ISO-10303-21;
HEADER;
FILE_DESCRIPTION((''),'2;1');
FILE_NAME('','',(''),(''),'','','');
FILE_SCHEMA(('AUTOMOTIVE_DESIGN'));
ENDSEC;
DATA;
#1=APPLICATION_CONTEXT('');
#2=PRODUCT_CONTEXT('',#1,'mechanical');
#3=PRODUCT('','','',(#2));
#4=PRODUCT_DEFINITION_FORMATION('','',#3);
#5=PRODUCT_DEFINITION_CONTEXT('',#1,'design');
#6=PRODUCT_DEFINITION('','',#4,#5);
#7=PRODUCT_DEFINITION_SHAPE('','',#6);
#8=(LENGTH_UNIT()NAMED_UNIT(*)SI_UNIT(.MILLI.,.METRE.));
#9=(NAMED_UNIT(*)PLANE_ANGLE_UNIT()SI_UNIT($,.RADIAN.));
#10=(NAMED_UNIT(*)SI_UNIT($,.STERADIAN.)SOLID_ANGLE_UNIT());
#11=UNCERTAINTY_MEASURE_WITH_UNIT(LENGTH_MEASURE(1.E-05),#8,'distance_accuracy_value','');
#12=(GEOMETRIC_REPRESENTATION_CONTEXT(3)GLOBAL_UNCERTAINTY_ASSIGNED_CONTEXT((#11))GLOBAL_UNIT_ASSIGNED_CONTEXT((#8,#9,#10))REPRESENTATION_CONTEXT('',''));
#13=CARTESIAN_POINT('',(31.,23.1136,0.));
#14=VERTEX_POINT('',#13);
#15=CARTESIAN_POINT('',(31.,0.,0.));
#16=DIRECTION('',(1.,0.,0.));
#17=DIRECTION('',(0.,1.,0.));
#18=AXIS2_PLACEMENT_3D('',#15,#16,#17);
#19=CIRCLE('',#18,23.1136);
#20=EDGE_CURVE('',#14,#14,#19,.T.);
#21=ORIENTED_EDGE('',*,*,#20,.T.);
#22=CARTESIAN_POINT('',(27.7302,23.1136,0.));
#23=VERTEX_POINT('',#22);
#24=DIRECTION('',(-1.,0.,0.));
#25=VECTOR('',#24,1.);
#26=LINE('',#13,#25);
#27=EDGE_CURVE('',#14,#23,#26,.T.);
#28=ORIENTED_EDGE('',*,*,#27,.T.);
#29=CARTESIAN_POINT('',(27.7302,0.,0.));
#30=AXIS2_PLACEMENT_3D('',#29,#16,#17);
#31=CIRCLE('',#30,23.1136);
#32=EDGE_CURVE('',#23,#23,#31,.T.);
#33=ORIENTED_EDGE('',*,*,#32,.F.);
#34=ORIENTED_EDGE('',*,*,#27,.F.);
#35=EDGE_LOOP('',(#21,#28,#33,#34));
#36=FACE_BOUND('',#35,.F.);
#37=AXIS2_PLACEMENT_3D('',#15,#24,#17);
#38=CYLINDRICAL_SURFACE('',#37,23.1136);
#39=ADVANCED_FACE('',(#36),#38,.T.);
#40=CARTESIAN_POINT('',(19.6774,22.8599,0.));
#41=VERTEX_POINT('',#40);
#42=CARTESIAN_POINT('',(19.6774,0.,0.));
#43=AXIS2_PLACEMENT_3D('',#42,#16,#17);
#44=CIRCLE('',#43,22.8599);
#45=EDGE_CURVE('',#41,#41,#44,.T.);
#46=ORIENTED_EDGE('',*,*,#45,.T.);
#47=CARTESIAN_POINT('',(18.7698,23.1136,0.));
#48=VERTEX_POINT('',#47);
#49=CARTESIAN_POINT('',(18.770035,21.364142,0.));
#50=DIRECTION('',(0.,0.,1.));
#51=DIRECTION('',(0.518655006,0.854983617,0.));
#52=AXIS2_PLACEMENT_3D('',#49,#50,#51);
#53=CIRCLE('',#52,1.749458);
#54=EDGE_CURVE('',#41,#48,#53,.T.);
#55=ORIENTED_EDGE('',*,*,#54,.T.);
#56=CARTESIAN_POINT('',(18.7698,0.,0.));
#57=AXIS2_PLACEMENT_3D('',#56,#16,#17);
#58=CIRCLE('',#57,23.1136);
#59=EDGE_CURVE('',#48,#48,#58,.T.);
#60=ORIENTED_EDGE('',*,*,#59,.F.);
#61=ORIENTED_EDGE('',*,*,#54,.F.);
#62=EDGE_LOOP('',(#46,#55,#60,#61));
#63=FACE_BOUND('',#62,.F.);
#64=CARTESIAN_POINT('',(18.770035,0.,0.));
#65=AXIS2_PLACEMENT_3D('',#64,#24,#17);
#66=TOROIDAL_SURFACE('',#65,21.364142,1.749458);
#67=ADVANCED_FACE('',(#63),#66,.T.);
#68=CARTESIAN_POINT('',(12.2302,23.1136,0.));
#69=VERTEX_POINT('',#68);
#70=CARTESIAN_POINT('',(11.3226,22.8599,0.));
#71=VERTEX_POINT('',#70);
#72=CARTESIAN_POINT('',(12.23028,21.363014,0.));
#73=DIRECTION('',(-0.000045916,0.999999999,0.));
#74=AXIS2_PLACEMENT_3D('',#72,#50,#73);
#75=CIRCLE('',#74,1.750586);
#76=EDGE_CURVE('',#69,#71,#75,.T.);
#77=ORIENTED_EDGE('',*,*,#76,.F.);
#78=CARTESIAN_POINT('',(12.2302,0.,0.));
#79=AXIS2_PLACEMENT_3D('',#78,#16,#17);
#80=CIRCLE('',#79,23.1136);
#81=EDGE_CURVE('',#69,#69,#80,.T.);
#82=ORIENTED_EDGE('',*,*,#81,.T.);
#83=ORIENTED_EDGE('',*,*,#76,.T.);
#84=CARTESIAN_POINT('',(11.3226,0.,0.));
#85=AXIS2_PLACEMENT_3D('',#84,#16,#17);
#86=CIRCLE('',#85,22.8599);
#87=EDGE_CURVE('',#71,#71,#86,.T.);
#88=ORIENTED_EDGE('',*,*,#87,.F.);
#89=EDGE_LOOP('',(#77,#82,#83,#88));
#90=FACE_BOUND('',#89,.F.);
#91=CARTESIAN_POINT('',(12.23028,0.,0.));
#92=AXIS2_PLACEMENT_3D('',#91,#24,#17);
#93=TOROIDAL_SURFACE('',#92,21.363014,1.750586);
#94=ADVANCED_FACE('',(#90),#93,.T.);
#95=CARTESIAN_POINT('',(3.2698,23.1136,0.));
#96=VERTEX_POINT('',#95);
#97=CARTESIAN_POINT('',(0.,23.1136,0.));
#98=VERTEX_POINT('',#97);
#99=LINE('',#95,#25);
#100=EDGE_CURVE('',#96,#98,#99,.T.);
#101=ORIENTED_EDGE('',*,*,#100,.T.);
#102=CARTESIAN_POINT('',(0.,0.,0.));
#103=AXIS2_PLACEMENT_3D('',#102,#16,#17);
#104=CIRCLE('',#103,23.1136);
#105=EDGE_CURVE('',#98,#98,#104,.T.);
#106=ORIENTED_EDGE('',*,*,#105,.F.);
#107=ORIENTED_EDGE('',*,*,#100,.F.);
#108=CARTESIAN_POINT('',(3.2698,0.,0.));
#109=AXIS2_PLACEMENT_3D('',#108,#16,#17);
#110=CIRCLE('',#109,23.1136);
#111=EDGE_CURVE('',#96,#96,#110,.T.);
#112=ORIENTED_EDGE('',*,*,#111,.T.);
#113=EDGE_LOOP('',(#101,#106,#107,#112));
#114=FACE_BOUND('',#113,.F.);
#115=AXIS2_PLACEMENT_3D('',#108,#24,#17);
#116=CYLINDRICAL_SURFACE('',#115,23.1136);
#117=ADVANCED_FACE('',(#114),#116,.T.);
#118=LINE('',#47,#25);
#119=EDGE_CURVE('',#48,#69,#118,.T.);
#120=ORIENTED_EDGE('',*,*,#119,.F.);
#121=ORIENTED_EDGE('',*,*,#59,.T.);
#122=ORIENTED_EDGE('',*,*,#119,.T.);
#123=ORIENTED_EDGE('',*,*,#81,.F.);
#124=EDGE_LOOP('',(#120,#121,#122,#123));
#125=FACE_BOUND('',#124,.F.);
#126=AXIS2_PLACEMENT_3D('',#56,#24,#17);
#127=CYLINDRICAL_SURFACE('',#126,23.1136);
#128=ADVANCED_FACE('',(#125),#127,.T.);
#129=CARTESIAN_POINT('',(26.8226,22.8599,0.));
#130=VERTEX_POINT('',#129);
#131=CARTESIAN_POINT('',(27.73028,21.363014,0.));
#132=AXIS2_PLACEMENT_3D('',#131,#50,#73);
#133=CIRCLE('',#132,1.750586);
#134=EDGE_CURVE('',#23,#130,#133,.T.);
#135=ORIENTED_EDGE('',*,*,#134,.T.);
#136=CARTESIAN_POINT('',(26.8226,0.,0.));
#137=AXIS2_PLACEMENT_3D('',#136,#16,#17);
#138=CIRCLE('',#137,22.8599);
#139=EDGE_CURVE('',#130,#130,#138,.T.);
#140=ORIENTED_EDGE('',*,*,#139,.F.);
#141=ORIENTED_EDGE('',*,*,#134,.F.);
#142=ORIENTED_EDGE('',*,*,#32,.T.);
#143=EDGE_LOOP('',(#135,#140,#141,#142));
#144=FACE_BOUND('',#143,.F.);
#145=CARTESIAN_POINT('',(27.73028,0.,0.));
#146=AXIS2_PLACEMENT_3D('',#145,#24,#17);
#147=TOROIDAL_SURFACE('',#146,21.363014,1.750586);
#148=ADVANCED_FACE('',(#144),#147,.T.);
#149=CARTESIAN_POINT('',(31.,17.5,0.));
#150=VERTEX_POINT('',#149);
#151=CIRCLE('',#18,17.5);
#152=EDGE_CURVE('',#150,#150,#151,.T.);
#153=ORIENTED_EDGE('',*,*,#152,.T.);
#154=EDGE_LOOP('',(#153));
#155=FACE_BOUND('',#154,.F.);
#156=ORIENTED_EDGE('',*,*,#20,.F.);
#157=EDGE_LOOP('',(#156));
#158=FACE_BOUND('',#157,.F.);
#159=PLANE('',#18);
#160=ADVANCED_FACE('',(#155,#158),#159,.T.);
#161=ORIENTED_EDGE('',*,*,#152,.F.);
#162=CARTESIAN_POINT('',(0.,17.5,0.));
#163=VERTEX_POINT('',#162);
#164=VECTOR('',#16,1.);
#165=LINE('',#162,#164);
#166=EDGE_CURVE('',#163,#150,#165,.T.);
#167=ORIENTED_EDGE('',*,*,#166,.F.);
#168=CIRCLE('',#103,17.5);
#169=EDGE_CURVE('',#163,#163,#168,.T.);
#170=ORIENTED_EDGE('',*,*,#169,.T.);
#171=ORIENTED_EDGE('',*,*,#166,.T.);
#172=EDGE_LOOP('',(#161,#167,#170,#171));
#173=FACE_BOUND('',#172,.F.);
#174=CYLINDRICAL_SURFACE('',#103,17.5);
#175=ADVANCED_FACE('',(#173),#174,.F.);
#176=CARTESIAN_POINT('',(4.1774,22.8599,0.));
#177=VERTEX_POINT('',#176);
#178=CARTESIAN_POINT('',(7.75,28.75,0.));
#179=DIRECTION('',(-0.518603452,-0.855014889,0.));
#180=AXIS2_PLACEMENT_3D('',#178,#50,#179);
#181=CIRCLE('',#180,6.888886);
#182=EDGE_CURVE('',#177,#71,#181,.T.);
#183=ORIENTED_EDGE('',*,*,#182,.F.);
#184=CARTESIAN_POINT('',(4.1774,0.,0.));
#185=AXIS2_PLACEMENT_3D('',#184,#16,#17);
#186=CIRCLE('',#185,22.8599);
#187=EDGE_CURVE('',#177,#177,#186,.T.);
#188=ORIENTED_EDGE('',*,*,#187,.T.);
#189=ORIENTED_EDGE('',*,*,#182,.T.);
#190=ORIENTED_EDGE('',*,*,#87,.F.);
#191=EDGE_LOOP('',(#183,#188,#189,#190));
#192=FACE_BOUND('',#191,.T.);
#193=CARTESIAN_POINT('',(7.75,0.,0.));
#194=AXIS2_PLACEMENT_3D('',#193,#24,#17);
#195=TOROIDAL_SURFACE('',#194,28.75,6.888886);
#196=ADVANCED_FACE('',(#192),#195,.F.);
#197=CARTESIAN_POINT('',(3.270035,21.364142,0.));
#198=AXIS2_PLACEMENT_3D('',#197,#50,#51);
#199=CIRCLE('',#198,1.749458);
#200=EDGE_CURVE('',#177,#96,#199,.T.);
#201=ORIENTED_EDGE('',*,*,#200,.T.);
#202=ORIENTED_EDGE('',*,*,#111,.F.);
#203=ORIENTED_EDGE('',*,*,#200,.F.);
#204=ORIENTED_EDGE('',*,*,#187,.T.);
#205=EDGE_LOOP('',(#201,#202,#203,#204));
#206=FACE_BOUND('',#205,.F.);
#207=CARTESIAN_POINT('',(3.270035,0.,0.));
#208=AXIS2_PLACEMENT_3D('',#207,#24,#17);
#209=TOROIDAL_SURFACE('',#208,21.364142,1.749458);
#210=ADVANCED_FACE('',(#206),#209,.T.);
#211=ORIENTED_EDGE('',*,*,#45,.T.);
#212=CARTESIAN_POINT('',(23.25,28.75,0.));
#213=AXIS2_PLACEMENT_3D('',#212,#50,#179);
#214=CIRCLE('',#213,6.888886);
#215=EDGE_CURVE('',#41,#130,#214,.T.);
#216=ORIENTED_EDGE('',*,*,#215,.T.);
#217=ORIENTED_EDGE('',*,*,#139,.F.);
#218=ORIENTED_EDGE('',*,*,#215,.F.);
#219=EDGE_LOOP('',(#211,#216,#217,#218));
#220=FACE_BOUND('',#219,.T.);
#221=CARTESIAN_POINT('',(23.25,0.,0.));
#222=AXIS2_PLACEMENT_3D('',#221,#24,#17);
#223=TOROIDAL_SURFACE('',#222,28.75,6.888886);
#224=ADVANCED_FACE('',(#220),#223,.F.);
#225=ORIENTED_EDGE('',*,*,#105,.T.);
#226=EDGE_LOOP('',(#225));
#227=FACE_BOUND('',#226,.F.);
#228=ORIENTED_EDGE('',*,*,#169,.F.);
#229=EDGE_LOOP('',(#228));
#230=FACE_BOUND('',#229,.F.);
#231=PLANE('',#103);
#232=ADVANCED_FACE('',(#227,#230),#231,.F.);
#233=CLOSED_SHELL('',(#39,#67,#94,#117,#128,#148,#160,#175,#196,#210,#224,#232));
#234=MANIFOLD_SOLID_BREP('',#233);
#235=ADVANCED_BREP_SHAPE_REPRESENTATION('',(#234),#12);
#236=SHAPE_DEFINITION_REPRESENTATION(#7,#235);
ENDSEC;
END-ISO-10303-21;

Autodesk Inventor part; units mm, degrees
sketch "Sketch_1" plane through (0, 0, 0) normal (0, 0, 1) x (1, 0, 0)
  line L0 (50, 0) -> (-50, 0)
  line L1 (0, 23.1136) -> (0, 17.5)
  line L2 (0, 17.5) -> (31, 17.5)
  line L3 (31, 17.5) -> (31, 23.1136)
  line L4 (31, 23.1136) -> (27.7302, 23.1136)
  arc A0 (27.7302, 23.1136) -> (26.8226, 22.8599) centre (27.7302, 21.3636) ccw
  arc A1 (19.6774, 22.8599) -> (26.8226, 22.8599) centre (23.25, 28.75) ccw
  arc A2 (19.6774, 22.8599) -> (18.7698, 23.1136) centre (18.7698, 21.3636) ccw
  line L5 (18.7698, 23.1136) -> (12.2302, 23.1136)
  arc A3 (12.2302, 23.1136) -> (11.3226, 22.8599) centre (12.2302, 21.3636) ccw
  arc A4 (4.1774, 22.8599) -> (11.3226, 22.8599) centre (7.75, 28.75) ccw
  arc A5 (4.1774, 22.8599) -> (3.2698, 23.1136) centre (3.2698, 21.3636) ccw
  line L6 (3.2698, 23.1136) -> (0, 23.1136)
revolve "Revolution1" add sketch "Sketch_1" angle 360 about axis through (50, 0, 0) along (1, 0, 0)
ref_plane "IP_2_XY" through (15.5, 0, 0) normal (1, 0, 0) x (0, 0, -1)
ref_plane "IP_2_YZ" through (15.5, 0, 0) normal (0, 0, -1) x (0, 1, 0)
ref_plane "IP_2_ZX" through (15.5, 0, 0) normal (0, 1, 0) x (1, 0, 0)
ref_plane "IP_3_1_XY" through (7.75, 28.75, 0) normal (1, 0, 0) x (0, 0, -1)
ref_plane "IP_3_1_YZ" through (7.75, 28.75, 0) normal (0, 0, -1) x (0, 1, 0)
ref_plane "IP_3_1_ZX" through (7.75, 28.75, 0) normal (0, 1, 0) x (1, 0, 0)
ref_plane "IP_3_10_XY" through (7.75, 23.2592, -16.8988) normal (1, 0, 0) x (0, 0, -1)
ref_plane "IP_3_10_YZ" through (7.75, 23.2592, -16.8988) normal (0, 0, -1) x (0, 1, 0)
ref_plane "IP_3_10_ZX" through (7.75, 23.2592, -16.8988) normal (0, 1, 0) x (1, 0, 0)
ref_plane "IP_3_2_XY" through (7.75, 23.2592, 16.8988) normal (1, 0, 0) x (0, 0, -1)
ref_plane "IP_3_2_YZ" through (7.75, 23.2592, 16.8988) normal (0, 0, -1) x (0, 1, 0)
ref_plane "IP_3_2_ZX" through (7.75, 23.2592, 16.8988) normal (0, 1, 0) x (1, 0, 0)
ref_plane "IP_3_3_XY" through (7.75, 8.8842, 27.3429) normal (1, 0, 0) x (0, 0, -1)
ref_plane "IP_3_3_YZ" through (7.75, 8.8842, 27.3429) normal (0, 0, -1) x (0, 1, 0)
ref_plane "IP_3_3_ZX" through (7.75, 8.8842, 27.3429) normal (0, 1, 0) x (1, 0, 0)
ref_plane "IP_3_4_XY" through (7.75, -8.8842, 27.3429) normal (1, 0, 0) x (0, 0, -1)
ref_plane "IP_3_4_YZ" through (7.75, -8.8842, 27.3429) normal (0, 0, -1) x (0, 1, 0)
ref_plane "IP_3_4_ZX" through (7.75, -8.8842, 27.3429) normal (0, 1, 0) x (1, 0, 0)
ref_plane "IP_3_5_XY" through (7.75, -23.2592, 16.8988) normal (1, 0, 0) x (0, 0, -1)
ref_plane "IP_3_5_YZ" through (7.75, -23.2592, 16.8988) normal (0, 0, -1) x (0, 1, 0)
ref_plane "IP_3_5_ZX" through (7.75, -23.2592, 16.8988) normal (0, 1, 0) x (1, 0, 0)
ref_plane "IP_3_6_XY" through (7.75, -28.75, 0) normal (1, 0, 0) x (0, 0, -1)
ref_plane "IP_3_6_YZ" through (7.75, -28.75, 0) normal (0, 0, -1) x (0, 1, 0)
ref_plane "IP_3_6_ZX" through (7.75, -28.75, 0) normal (0, 1, 0) x (1, 0, 0)
ref_plane "IP_3_7_XY" through (7.75, -23.2592, -16.8988) normal (1, 0, 0) x (0, 0, -1)
ref_plane "IP_3_7_YZ" through (7.75, -23.2592, -16.8988) normal (0, 0, -1) x (0, 1, 0)
ref_plane "IP_3_7_ZX" through (7.75, -23.2592, -16.8988) normal (0, 1, 0) x (1, 0, 0)
ref_plane "IP_3_8_XY" through (7.75, -8.8842, -27.3429) normal (1, 0, 0) x (0, 0, -1)
ref_plane "IP_3_8_YZ" through (7.75, -8.8842, -27.3429) normal (0, 0, -1) x (0, 1, 0)
ref_plane "IP_3_8_ZX" through (7.75, -8.8842, -27.3429) normal (0, 1, 0) x (1, 0, 0)
ref_plane "IP_3_9_XY" through (7.75, 8.8842, -27.3429) normal (1, 0, 0) x (0, 0, -1)
ref_plane "IP_3_9_YZ" through (7.75, 8.8842, -27.3429) normal (0, 0, -1) x (0, 1, 0)
ref_plane "IP_3_9_ZX" through (7.75, 8.8842, -27.3429) normal (0, 1, 0) x (1, 0, 0)
ref_plane "IP_4_1_XY" through (23.25, 27.3429, 8.8842) normal (1, 0, 0) x (0, 0, -1)
ref_plane "IP_4_1_YZ" through (23.25, 27.3429, 8.8842) normal (0, 0, -1) x (0, 1, 0)
ref_plane "IP_4_1_ZX" through (23.25, 27.3429, 8.8842) normal (0, 1, 0) x (1, 0, 0)
ref_plane "IP_4_10_XY" through (23.25, 27.3429, -8.8842) normal (1, 0, 0) x (0, 0, -1)
ref_plane "IP_4_10_YZ" through (23.25, 27.3429, -8.8842) normal (0, 0, -1) x (0, 1, 0)
ref_plane "IP_4_10_ZX" through (23.25, 27.3429, -8.8842) normal (0, 1, 0) x (1, 0, 0)
ref_plane "IP_4_2_XY" through (23.25, 16.8988, 23.2592) normal (1, 0, 0) x (0, 0, -1)
ref_plane "IP_4_2_YZ" through (23.25, 16.8988, 23.2592) normal (0, 0, -1) x (0, 1, 0)
ref_plane "IP_4_2_ZX" through (23.25, 16.8988, 23.2592) normal (0, 1, 0) x (1, 0, 0)
ref_plane "IP_4_3_XY" through (23.25, 0, 28.75) normal (1, 0, 0) x (0, 0, -1)
ref_plane "IP_4_3_YZ" through (23.25, 0, 28.75) normal (0, 0, -1) x (0, 1, 0)
ref_plane "IP_4_3_ZX" through (23.25, 0, 28.75) normal (0, 1, 0) x (1, 0, 0)
ref_plane "IP_4_4_XY" through (23.25, -16.8988, 23.2592) normal (1, 0, 0) x (0, 0, -1)
ref_plane "IP_4_4_YZ" through (23.25, -16.8988, 23.2592) normal (0, 0, -1) x (0, 1, 0)
ref_plane "IP_4_4_ZX" through (23.25, -16.8988, 23.2592) normal (0, 1, 0) x (1, 0, 0)
ref_plane "IP_4_5_XY" through (23.25, -27.3429, 8.8842) normal (1, 0, 0) x (0, 0, -1)
ref_plane "IP_4_5_YZ" through (23.25, -27.3429, 8.8842) normal (0, 0, -1) x (0, 1, 0)
ref_plane "IP_4_5_ZX" through (23.25, -27.3429, 8.8842) normal (0, 1, 0) x (1, 0, 0)
ref_plane "IP_4_6_XY" through (23.25, -27.3429, -8.8842) normal (1, 0, 0) x (0, 0, -1)
ref_plane "IP_4_6_YZ" through (23.25, -27.3429, -8.8842) normal (0, 0, -1) x (0, 1, 0)
ref_plane "IP_4_6_ZX" through (23.25, -27.3429, -8.8842) normal (0, 1, 0) x (1, 0, 0)
ref_plane "IP_4_7_XY" through (23.25, -16.8988, -23.2592) normal (1, 0, 0) x (0, 0, -1)
ref_plane "IP_4_7_YZ" through (23.25, -16.8988, -23.2592) normal (0, 0, -1) x (0, 1, 0)
ref_plane "IP_4_7_ZX" through (23.25, -16.8988, -23.2592) normal (0, 1, 0) x (1, 0, 0)
ref_plane "IP_4_8_XY" through (23.25, 0, -28.75) normal (1, 0, 0) x (0, 0, -1)
ref_plane "IP_4_8_YZ" through (23.25, 0, -28.75) normal (0, 0, -1) x (0, 1, 0)
ref_plane "IP_4_8_ZX" through (23.25, 0, -28.75) normal (0, 1, 0) x (1, 0, 0)
ref_plane "IP_4_9_XY" through (23.25, 16.8988, -23.2592) normal (1, 0, 0) x (0, 0, -1)
ref_plane "IP_4_9_YZ" through (23.25, 16.8988, -23.2592) normal (0, 0, -1) x (0, 1, 0)
ref_plane "IP_4_9_ZX" through (23.25, 16.8988, -23.2592) normal (0, 1, 0) x (1, 0, 0)
properties part number "hpc_Q2307-ACC_2"
